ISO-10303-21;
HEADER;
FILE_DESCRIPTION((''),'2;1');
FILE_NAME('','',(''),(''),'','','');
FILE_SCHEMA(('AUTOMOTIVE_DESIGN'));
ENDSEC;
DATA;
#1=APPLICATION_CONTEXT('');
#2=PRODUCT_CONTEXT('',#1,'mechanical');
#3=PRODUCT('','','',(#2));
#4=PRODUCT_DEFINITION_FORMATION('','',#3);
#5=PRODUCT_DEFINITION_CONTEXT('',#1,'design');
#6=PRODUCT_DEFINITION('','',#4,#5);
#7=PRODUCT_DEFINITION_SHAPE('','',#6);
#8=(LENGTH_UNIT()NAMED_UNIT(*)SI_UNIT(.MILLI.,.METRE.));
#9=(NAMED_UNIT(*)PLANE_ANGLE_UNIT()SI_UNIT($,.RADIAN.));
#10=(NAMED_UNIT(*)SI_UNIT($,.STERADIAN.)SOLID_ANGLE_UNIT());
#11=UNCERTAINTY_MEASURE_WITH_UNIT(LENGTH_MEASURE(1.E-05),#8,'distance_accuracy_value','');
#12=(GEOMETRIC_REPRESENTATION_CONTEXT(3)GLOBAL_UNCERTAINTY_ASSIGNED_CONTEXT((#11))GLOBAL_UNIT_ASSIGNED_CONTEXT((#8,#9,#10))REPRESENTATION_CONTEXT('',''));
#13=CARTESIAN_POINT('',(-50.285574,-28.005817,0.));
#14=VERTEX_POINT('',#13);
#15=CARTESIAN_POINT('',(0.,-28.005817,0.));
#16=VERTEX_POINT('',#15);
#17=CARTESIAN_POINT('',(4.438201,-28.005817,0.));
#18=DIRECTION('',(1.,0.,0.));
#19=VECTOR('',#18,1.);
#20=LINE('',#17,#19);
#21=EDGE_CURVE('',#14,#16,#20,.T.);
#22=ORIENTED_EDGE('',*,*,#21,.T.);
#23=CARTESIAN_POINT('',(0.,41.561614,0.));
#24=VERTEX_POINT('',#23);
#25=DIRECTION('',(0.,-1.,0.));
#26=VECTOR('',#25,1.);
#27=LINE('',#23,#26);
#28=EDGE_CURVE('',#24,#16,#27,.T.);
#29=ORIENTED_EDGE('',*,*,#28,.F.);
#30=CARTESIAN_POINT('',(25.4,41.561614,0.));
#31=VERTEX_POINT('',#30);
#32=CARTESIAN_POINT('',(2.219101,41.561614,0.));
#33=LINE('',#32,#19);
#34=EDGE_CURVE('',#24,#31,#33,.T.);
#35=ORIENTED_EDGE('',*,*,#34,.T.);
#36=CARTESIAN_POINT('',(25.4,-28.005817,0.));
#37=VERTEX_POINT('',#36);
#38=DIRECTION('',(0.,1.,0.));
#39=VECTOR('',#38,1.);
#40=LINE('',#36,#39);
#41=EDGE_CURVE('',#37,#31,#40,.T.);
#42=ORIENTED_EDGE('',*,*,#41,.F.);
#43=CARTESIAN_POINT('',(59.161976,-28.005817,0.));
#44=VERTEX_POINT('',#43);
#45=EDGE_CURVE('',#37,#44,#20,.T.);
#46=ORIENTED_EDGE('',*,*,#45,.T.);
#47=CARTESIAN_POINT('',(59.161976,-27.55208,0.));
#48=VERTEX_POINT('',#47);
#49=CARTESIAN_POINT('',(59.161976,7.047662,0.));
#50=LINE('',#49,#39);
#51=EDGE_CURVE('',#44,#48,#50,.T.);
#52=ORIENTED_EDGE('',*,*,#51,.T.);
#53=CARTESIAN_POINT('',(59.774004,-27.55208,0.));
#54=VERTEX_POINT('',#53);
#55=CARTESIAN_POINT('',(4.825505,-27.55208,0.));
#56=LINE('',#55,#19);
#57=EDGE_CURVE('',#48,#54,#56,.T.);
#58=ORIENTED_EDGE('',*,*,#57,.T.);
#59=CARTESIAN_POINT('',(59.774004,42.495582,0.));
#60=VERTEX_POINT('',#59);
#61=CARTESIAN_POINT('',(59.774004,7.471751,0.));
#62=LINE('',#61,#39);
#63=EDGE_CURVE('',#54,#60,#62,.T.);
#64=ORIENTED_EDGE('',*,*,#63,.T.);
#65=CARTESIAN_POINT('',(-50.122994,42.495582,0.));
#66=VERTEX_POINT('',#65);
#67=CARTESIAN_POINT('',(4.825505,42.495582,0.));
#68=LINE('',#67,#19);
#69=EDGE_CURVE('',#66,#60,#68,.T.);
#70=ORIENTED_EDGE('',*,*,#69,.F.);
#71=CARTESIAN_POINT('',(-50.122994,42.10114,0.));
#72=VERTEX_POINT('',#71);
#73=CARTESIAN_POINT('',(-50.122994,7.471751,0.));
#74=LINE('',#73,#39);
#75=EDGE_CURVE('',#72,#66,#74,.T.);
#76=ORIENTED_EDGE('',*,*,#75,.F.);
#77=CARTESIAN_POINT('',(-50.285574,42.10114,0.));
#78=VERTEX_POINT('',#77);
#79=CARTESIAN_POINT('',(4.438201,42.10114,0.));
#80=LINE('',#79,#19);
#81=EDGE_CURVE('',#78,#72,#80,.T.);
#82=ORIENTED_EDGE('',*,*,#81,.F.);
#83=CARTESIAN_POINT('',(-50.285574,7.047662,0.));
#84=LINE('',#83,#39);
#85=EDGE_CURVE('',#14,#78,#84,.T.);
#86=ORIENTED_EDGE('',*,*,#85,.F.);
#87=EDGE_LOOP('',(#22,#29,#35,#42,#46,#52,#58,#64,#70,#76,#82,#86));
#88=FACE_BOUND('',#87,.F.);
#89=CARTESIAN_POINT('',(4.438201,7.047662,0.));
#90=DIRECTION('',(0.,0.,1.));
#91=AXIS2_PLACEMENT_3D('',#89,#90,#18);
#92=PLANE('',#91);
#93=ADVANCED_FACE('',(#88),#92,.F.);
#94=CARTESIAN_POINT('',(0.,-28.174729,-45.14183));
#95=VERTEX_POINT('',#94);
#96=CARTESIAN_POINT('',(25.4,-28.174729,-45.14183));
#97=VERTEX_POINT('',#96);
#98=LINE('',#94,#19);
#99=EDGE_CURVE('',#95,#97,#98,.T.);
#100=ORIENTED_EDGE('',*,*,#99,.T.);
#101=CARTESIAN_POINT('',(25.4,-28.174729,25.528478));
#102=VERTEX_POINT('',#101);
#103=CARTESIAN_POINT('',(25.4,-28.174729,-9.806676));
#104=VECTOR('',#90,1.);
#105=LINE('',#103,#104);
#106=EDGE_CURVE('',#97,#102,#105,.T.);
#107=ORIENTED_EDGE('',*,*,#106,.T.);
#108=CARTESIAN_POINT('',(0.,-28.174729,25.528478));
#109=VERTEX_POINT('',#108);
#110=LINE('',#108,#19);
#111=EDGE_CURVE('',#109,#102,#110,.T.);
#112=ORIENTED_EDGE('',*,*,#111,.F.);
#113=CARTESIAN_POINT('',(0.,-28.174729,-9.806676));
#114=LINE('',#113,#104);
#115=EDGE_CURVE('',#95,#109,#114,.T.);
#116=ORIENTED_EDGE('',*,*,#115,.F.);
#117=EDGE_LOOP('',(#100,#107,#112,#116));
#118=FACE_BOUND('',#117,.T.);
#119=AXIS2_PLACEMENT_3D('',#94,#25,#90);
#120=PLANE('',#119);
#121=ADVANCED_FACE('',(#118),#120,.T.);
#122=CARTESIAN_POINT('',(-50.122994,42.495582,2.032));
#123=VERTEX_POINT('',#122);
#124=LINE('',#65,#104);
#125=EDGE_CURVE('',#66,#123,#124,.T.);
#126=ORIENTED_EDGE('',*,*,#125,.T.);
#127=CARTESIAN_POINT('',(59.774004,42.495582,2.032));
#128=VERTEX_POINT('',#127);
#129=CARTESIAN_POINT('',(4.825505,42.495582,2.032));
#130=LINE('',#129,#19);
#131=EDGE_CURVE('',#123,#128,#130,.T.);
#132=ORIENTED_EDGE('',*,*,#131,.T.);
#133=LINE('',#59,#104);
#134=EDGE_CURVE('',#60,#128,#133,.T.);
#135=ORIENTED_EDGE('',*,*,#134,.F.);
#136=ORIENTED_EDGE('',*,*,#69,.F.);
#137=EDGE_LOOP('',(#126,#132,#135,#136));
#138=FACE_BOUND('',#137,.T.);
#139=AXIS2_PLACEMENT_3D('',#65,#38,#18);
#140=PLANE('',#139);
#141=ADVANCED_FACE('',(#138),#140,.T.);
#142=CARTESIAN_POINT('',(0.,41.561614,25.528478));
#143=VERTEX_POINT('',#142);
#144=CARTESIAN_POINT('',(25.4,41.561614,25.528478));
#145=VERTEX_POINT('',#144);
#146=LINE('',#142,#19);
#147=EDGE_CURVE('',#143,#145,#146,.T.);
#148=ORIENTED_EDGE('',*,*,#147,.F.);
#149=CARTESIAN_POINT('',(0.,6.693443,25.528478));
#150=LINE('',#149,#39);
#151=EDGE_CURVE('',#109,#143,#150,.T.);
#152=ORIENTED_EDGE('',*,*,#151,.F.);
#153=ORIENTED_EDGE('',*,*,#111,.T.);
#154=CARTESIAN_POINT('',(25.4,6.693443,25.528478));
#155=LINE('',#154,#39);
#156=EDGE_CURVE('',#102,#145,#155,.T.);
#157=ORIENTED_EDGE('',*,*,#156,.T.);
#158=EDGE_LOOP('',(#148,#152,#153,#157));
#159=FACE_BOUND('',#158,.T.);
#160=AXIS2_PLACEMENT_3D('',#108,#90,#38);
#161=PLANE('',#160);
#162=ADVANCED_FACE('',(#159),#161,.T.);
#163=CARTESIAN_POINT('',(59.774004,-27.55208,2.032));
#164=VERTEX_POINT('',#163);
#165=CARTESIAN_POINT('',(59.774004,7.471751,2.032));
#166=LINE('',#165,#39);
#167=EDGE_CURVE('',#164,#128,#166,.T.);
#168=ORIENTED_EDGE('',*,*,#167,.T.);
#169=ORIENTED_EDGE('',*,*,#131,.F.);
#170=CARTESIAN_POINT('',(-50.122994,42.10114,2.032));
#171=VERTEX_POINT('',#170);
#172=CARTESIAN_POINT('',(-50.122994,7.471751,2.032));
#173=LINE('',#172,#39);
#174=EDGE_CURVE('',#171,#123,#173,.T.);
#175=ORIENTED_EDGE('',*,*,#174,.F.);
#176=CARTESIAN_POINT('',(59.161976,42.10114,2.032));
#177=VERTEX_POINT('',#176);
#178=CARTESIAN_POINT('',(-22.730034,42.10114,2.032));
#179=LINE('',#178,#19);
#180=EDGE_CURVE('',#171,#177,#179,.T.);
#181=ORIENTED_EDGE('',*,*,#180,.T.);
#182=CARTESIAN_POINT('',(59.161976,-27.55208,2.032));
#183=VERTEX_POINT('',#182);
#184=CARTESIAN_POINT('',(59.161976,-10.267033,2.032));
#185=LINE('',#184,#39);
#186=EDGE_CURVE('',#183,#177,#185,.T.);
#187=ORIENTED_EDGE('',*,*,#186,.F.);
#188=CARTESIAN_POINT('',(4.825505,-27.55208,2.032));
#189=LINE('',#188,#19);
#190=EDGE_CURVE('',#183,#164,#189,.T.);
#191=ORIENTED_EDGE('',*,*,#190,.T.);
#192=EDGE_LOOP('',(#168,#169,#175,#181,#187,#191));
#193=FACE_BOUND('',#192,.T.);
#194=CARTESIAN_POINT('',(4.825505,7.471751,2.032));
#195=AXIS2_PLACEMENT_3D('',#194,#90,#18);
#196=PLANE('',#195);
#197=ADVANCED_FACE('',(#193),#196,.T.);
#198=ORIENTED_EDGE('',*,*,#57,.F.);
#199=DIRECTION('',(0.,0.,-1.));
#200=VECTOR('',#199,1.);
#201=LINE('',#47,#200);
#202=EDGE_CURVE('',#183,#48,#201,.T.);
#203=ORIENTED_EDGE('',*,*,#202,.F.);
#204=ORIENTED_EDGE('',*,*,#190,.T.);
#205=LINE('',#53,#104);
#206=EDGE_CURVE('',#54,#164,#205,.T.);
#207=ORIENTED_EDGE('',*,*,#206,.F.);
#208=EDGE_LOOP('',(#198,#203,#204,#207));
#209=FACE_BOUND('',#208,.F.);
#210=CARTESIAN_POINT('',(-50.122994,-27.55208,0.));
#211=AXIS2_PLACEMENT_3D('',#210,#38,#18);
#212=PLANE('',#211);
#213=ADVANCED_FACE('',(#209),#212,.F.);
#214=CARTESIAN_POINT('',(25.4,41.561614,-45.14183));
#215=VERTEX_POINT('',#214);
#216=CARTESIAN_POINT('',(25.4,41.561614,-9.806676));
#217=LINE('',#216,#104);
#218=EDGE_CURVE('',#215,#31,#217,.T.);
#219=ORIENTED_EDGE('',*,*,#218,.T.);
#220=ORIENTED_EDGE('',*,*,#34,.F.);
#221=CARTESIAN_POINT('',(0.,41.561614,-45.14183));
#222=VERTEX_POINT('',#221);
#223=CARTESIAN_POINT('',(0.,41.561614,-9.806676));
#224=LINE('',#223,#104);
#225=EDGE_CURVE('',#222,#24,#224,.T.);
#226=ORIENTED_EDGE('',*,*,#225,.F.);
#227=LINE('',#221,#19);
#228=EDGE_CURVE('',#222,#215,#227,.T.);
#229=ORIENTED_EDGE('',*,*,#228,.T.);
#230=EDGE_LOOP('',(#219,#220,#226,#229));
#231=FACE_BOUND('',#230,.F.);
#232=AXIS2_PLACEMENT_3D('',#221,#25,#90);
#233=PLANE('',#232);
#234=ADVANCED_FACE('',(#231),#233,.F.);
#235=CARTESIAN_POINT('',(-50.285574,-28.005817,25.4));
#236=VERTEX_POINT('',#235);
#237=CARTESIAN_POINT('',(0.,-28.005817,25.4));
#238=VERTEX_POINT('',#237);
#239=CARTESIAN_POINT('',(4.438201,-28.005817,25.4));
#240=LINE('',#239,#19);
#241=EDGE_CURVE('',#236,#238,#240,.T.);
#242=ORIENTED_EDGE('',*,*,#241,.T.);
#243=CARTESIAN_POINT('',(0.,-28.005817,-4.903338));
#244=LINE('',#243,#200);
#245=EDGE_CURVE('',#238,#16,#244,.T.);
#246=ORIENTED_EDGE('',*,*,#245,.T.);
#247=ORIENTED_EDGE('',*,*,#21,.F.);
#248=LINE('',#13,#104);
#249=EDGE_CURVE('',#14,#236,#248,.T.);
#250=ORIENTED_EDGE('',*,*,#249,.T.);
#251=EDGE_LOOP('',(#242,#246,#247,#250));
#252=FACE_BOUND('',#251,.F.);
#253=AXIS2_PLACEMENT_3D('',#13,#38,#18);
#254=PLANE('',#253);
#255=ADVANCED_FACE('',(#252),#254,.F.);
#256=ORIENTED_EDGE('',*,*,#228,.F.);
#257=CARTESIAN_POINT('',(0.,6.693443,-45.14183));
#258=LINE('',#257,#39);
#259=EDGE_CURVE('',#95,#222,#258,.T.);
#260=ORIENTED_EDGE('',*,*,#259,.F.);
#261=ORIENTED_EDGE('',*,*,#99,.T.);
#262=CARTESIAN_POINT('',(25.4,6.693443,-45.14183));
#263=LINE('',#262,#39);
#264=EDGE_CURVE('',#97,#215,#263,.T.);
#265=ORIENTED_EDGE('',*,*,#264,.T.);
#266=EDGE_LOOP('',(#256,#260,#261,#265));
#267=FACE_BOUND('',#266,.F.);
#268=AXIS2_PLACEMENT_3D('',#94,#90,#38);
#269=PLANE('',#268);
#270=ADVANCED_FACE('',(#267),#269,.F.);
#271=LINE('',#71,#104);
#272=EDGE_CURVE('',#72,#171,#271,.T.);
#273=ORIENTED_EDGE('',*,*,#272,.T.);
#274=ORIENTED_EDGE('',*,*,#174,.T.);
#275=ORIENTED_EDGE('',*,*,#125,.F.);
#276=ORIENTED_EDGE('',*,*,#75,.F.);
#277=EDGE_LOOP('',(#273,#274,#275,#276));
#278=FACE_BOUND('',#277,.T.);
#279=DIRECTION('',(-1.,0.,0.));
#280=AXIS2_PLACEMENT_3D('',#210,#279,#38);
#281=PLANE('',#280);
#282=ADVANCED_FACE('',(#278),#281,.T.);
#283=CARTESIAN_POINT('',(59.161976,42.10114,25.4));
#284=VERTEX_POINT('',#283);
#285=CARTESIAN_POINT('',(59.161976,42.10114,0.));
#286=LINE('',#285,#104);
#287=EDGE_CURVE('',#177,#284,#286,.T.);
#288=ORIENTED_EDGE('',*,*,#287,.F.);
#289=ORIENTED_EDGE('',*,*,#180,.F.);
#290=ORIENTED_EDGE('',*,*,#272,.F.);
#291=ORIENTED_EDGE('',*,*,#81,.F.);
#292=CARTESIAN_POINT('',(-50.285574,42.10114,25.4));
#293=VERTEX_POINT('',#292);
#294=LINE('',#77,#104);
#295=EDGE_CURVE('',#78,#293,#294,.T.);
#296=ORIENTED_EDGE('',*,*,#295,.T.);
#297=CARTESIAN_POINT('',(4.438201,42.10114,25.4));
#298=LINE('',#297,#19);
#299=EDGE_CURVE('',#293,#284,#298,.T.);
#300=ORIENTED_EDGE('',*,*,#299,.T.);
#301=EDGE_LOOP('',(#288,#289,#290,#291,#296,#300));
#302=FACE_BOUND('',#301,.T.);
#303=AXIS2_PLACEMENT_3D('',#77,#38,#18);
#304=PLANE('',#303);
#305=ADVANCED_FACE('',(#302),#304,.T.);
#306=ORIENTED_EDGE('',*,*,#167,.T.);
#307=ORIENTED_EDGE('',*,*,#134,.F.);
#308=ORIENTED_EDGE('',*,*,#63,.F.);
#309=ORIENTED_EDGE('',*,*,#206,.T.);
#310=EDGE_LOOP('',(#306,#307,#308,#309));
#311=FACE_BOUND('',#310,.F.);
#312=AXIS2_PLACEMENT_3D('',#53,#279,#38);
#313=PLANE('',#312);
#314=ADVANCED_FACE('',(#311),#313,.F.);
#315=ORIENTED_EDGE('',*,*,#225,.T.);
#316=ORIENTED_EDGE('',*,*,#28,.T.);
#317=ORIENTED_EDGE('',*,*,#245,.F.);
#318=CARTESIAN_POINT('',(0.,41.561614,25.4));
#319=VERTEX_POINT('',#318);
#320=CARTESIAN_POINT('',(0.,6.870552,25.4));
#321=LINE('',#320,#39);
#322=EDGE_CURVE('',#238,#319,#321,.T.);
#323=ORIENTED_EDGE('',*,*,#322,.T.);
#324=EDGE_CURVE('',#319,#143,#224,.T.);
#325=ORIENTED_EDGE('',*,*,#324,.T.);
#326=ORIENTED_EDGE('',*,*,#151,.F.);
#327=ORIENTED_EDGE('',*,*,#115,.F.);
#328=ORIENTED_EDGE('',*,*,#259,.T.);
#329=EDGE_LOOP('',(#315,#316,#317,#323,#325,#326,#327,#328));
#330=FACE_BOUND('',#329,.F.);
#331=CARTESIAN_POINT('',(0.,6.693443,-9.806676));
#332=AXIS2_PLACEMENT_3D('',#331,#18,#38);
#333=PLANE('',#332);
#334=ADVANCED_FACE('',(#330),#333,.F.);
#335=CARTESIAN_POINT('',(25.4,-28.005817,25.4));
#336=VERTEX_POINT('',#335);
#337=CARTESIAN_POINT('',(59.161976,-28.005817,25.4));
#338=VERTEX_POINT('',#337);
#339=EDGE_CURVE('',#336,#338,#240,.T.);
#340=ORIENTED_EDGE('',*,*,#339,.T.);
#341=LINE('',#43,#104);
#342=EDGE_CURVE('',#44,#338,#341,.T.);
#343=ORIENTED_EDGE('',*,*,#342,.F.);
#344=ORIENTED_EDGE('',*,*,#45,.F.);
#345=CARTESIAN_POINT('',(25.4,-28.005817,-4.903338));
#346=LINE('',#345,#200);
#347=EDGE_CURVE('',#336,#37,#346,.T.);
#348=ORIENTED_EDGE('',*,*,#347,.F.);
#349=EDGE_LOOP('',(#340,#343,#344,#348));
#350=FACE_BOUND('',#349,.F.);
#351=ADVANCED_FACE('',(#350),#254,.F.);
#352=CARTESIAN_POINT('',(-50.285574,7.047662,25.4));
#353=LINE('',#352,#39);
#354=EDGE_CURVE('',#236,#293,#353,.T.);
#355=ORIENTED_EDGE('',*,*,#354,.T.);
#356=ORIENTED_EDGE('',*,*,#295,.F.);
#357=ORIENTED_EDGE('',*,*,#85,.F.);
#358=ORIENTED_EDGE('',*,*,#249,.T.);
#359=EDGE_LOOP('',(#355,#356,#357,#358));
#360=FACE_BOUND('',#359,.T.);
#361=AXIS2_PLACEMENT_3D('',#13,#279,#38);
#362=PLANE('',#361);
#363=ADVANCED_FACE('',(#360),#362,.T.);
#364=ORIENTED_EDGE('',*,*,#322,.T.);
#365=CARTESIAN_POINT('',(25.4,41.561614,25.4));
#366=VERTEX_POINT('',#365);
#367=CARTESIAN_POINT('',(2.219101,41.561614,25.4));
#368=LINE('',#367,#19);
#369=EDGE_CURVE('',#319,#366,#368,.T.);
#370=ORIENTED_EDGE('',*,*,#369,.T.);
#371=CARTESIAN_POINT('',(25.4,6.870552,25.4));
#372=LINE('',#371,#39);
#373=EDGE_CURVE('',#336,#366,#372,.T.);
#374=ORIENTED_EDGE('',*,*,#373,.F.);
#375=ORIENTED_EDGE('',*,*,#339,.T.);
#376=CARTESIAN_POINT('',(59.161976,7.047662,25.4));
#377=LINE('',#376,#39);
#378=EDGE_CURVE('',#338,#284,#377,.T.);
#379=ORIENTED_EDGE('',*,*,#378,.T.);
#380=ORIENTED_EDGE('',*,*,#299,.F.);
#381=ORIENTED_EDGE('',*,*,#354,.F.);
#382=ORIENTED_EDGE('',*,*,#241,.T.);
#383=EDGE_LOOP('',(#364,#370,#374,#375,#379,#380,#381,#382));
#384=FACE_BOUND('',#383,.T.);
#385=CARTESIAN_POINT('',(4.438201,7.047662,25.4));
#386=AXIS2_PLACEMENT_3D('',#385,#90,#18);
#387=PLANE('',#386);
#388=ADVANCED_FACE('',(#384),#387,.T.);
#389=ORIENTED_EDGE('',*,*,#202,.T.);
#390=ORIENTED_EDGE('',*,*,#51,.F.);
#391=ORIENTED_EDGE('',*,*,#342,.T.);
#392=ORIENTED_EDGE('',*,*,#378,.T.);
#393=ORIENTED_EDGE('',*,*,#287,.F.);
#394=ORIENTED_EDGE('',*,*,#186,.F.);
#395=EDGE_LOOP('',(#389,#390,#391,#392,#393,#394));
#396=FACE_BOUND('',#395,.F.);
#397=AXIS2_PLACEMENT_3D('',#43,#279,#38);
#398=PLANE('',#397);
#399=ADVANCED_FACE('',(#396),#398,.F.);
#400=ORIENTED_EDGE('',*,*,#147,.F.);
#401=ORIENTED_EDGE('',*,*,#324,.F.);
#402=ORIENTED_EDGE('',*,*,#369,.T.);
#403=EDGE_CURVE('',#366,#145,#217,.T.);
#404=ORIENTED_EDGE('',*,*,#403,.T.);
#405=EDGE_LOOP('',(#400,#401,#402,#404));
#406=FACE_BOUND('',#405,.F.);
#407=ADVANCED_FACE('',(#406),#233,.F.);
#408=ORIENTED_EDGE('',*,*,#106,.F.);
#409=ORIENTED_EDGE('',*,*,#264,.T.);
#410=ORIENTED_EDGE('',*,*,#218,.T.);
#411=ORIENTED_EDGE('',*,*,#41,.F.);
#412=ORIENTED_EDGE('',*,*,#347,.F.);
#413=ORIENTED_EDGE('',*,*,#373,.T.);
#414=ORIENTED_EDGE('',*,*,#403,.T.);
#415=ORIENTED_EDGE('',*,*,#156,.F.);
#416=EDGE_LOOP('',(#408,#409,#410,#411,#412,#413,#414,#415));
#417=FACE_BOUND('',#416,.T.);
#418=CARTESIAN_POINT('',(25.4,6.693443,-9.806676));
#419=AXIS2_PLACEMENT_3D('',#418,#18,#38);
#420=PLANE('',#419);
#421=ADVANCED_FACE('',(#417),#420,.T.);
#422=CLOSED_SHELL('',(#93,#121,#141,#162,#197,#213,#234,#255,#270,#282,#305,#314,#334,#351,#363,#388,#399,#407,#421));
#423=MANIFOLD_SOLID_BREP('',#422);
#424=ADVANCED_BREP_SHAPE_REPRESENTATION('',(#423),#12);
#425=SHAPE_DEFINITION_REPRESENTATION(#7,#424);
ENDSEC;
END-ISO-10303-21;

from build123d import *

# Parameters (mm, degrees)
F0_W     = 109.44755
F0_H     = 70.106957
F1_DEPTH = 25.4
F2_W     = 69.736343
F2_H     = 70.670309
F3_DEPTH = 25.4
F4_W     = 109.896999
F4_H     = 70.047663
F5_DEPTH = 2.032


with BuildPart() as f1:
    # F0 (on Top) → F1 (new body)
    with BuildSketch(Plane.XY):
        with Locations((4.438201, 7.047662)):
            Rectangle(F0_W, F0_H)
    extrude(amount=F1_DEPTH)

    # F2 (on Right) → F3 (join)
    with BuildSketch(Plane.YZ):
        with Locations((6.693443, -9.806676)):
            Rectangle(F2_W, F2_H)
    extrude(amount=F3_DEPTH)

    # F4 (on Top) → F5 (join)
    with BuildSketch(Plane.XY):
        with Locations((4.825505, 7.471751)):
            Rectangle(F4_W, F4_H)
    extrude(amount=F5_DEPTH)


solid = f1.part
